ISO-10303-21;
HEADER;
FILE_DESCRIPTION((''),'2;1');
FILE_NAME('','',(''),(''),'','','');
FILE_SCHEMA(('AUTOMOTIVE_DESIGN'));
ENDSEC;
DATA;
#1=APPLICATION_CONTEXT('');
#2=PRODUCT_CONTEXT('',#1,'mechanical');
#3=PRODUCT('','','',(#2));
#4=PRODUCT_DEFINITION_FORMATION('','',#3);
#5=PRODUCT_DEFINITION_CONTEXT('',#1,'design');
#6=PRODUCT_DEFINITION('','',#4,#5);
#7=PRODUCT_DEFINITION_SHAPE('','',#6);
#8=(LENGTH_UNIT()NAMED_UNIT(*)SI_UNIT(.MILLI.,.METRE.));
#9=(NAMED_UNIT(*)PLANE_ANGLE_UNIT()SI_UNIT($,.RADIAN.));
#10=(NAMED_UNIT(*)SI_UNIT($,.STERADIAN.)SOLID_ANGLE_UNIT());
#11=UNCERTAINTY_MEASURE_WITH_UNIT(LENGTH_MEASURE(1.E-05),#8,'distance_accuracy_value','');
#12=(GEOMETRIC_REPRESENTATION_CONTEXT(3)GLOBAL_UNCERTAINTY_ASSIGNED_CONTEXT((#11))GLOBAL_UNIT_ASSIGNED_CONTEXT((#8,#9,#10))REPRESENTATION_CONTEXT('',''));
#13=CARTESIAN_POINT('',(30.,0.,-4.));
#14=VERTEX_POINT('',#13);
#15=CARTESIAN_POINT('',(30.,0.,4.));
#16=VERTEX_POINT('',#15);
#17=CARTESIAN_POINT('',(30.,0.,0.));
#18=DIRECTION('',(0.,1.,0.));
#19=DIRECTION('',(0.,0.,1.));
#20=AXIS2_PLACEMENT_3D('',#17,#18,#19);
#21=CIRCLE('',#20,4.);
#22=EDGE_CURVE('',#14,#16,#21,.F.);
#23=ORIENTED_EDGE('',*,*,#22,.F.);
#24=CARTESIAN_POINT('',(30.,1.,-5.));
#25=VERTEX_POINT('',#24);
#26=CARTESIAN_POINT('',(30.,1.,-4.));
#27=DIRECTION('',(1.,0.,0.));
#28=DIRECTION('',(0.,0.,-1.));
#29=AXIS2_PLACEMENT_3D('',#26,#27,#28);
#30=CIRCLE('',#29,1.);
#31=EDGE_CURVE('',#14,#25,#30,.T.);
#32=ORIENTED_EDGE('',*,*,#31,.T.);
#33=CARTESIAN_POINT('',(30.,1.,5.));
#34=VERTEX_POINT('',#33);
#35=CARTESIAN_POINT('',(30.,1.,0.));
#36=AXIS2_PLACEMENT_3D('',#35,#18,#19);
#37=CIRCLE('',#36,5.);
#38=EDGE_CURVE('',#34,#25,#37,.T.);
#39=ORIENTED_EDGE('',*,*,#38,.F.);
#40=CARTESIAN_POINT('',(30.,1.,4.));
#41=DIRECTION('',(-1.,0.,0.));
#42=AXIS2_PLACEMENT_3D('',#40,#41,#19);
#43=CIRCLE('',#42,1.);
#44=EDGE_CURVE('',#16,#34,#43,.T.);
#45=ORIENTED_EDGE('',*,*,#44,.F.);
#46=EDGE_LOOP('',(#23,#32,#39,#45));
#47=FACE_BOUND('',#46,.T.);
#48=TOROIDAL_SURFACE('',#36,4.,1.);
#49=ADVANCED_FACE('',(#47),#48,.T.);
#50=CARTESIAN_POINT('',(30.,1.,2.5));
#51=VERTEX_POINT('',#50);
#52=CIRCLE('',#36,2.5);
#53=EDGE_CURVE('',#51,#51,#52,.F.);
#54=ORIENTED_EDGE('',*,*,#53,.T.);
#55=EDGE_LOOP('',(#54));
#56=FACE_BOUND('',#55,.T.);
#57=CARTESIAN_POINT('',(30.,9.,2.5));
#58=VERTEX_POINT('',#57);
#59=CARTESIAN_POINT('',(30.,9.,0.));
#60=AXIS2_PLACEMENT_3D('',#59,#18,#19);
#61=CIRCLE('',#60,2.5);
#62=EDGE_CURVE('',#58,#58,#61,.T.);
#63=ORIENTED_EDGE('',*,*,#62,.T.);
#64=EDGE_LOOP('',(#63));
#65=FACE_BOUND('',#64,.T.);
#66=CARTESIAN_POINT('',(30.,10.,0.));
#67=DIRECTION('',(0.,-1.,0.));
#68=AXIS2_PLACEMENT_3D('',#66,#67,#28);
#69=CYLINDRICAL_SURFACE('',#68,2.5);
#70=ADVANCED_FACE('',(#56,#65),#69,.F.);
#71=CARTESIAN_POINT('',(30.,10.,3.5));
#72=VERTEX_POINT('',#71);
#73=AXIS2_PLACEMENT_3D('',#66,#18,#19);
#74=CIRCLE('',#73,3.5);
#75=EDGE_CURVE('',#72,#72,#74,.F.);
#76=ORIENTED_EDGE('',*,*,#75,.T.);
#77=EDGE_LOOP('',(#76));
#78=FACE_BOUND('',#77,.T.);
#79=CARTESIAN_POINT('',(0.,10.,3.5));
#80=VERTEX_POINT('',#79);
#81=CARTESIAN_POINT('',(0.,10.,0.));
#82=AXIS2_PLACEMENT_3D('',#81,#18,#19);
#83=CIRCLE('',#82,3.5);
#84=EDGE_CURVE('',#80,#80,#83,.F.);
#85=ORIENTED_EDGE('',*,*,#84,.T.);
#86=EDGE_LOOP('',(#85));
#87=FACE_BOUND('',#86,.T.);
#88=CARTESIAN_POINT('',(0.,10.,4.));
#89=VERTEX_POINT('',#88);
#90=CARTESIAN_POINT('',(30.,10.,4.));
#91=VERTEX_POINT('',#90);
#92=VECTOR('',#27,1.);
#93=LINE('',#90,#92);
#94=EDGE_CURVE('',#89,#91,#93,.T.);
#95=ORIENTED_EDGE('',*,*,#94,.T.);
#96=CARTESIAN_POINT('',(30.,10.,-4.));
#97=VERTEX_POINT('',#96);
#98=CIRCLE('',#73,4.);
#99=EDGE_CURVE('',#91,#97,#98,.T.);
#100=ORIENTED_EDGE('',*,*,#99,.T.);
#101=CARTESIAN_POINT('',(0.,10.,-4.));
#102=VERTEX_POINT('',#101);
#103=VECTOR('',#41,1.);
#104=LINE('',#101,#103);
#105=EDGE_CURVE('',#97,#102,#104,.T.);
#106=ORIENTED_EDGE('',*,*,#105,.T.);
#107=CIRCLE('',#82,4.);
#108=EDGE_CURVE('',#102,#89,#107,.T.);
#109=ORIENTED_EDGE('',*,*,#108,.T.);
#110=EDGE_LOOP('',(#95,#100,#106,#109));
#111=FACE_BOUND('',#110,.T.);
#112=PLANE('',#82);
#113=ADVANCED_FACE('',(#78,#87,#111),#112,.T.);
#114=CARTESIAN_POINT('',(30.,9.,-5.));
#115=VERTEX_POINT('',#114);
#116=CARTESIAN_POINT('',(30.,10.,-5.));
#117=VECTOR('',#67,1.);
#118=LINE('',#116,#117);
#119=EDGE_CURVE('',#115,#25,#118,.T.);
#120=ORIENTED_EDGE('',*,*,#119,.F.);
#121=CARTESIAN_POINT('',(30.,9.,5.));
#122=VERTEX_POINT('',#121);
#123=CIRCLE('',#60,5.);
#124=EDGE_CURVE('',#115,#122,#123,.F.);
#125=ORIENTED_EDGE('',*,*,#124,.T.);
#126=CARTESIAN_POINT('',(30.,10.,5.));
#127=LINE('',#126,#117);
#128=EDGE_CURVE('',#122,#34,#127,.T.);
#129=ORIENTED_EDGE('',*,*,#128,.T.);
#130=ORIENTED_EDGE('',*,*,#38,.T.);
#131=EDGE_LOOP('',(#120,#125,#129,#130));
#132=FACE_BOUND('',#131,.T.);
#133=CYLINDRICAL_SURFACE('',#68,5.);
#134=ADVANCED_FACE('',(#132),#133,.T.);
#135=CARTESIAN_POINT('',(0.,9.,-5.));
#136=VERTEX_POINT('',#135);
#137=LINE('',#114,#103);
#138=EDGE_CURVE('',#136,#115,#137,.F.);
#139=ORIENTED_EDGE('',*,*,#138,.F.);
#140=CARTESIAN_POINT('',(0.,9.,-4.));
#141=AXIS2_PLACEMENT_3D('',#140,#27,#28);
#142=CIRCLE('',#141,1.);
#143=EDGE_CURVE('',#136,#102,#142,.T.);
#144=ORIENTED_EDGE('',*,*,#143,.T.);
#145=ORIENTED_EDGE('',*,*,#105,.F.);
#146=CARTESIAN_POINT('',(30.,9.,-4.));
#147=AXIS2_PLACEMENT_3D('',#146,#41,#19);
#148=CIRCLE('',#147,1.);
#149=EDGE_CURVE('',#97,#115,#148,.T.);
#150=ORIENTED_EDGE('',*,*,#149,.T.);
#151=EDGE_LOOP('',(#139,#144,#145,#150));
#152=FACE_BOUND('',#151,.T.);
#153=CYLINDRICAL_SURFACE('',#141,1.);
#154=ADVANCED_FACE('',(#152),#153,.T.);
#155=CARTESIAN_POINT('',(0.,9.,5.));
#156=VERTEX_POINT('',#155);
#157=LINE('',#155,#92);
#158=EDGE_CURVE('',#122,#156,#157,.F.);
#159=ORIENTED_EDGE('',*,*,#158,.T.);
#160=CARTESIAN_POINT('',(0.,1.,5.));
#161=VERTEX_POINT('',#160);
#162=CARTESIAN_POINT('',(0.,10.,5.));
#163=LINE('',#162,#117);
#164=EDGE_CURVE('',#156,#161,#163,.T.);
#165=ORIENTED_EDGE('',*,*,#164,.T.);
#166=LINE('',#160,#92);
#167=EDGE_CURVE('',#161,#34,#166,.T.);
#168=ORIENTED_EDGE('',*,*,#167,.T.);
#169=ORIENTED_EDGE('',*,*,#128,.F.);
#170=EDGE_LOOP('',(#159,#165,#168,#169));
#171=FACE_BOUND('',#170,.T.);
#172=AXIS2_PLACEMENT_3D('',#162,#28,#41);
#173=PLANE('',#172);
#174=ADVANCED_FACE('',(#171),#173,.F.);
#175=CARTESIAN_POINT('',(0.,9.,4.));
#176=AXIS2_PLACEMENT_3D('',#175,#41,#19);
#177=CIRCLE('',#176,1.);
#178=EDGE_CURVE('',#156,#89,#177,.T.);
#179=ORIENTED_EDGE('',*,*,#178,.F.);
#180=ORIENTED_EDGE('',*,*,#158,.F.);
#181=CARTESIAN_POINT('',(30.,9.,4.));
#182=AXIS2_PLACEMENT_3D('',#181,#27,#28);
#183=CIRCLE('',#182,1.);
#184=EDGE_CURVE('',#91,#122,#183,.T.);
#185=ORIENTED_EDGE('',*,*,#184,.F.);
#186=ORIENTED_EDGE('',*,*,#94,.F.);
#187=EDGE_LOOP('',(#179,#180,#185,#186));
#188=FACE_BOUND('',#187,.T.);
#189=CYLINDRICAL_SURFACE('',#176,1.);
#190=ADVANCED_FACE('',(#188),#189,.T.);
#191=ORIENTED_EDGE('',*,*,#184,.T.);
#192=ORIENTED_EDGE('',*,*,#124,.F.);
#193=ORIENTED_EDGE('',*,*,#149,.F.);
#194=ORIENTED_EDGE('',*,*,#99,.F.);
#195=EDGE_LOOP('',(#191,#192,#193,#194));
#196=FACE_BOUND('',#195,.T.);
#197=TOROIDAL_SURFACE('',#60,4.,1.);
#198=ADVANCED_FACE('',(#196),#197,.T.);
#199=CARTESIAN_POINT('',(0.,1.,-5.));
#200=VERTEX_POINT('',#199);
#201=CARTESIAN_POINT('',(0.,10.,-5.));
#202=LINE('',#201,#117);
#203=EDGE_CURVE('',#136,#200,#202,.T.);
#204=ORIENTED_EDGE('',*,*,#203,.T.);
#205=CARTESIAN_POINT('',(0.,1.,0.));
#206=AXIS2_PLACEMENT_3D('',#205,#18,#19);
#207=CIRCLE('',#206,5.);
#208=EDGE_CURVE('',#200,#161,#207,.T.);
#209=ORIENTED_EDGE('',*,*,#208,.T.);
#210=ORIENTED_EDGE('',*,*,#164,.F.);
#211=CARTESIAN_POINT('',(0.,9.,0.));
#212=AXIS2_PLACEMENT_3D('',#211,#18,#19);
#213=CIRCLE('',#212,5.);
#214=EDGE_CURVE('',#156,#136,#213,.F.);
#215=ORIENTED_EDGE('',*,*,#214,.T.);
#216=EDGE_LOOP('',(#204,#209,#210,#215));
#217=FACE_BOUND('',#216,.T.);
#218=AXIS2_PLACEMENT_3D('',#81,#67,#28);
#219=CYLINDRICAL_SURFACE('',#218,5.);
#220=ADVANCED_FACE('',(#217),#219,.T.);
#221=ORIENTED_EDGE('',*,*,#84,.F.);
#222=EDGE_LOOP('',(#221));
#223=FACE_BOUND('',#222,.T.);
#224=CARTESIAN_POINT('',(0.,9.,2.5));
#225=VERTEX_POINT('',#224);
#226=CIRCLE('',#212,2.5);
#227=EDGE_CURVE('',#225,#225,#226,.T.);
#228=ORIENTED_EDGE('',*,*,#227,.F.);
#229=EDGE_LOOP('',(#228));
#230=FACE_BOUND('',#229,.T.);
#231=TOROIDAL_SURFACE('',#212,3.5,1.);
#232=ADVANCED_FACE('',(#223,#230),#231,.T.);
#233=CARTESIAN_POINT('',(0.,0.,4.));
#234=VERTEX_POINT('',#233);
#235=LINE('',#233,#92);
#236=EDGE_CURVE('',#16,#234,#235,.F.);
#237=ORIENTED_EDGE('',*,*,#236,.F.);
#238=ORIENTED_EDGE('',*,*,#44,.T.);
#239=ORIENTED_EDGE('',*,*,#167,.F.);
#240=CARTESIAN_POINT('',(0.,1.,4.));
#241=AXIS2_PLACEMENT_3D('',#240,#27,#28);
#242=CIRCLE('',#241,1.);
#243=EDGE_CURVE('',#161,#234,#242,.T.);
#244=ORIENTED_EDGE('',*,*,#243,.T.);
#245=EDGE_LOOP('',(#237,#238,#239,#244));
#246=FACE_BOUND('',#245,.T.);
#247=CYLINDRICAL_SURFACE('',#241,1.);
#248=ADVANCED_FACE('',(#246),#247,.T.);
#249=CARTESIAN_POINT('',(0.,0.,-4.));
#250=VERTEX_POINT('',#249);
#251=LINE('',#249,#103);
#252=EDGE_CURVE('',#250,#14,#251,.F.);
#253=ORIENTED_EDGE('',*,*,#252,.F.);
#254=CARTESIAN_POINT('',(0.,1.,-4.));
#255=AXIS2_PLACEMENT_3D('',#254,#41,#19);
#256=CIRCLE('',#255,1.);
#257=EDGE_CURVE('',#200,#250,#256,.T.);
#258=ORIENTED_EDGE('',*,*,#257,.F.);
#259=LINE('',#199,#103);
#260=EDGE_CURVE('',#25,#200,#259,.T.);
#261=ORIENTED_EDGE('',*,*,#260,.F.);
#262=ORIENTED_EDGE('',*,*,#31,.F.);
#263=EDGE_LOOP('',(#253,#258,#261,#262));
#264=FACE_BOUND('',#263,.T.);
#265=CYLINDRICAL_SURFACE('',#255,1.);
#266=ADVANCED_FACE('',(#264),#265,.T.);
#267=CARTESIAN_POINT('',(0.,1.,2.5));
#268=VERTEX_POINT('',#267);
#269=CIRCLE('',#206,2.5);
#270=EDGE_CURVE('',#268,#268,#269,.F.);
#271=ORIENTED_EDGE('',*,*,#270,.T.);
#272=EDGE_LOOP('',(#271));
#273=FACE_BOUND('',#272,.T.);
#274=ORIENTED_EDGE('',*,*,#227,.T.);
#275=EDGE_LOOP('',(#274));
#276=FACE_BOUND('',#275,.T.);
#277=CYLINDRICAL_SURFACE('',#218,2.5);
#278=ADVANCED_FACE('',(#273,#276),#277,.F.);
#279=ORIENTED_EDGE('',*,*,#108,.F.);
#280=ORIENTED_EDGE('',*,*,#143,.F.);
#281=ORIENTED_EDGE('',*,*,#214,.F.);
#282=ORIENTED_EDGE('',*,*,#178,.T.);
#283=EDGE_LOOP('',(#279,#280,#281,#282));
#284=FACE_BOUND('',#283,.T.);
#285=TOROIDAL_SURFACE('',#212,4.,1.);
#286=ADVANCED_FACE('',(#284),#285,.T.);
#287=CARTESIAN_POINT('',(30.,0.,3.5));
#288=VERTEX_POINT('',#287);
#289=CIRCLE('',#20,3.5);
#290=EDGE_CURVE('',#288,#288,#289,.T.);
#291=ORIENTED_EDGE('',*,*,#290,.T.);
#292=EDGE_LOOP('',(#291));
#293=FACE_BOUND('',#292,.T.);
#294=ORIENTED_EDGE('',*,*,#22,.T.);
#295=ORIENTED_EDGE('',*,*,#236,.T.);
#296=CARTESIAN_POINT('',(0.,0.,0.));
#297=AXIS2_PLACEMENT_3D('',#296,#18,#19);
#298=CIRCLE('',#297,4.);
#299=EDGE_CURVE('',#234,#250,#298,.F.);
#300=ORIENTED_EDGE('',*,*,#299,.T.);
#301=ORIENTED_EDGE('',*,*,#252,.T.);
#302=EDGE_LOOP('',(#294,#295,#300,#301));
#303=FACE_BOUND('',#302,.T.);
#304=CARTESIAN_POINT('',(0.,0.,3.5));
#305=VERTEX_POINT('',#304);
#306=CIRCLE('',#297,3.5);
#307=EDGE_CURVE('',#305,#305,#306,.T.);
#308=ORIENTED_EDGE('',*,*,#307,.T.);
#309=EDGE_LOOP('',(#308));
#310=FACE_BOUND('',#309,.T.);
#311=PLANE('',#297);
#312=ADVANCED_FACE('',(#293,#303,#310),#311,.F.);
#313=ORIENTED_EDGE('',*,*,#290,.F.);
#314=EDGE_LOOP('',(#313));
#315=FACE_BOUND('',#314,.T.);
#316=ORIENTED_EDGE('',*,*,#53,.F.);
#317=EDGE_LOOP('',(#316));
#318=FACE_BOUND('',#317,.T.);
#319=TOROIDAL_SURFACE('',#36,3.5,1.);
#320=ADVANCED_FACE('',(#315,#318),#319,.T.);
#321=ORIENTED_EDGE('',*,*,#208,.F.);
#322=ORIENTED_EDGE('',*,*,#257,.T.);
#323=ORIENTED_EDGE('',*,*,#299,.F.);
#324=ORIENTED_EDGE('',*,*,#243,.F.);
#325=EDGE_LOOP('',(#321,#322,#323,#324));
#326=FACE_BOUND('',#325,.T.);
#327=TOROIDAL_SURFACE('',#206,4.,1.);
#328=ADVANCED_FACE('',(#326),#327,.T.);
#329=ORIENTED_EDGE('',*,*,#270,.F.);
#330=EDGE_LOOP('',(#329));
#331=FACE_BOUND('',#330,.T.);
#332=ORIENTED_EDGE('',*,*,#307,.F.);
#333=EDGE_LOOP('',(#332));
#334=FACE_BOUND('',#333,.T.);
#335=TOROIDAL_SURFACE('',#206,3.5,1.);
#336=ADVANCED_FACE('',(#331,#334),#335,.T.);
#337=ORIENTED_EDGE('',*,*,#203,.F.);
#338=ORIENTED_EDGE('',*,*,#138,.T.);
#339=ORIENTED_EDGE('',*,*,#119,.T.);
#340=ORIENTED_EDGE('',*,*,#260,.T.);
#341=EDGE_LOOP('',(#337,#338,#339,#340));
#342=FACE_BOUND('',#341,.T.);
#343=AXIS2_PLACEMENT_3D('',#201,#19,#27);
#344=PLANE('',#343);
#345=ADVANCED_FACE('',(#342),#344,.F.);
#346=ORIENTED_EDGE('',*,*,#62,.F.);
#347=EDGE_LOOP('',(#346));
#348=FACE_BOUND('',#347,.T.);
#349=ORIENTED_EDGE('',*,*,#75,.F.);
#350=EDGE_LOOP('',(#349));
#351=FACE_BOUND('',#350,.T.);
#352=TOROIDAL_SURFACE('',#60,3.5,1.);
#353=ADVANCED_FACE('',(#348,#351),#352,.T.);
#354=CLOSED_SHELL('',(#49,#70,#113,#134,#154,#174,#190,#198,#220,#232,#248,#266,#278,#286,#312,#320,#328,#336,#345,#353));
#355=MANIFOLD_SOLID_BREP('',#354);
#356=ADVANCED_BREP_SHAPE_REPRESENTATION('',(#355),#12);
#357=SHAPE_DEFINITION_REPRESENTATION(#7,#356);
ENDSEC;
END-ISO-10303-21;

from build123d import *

# Parameters (mm, degrees)
SKETCH1_R           = 2.5
BOSS_EXTRUDE1_DEPTH = 10
FILLET1_R           = 1


with BuildPart() as part:
    # Sketch1 → Boss-Extrude1 (new body)
    with BuildSketch(Plane(origin=(0, 0, 0), x_dir=(1, 0, 0), z_dir=(0, 1, 0))):
        with BuildLine():
            Line((0, 5), (30, 5))
            ThreePointArc((30, 5), (35, 0), (30, -5))
            Line((30, -5), (0, -5))
            ThreePointArc((0, -5), (-5, 0), (0, 5))
        make_face()
        Circle(SKETCH1_R, mode=Mode.SUBTRACT)
        with Locations((30, 0)):
            Circle(SKETCH1_R, mode=Mode.SUBTRACT)
    extrude(amount=BOSS_EXTRUDE1_DEPTH)

    # Fillet1
    fillet1_edges = [part.edges().sort_by_distance(p)[0] for p in [
        (-2.5, 0, 0),
        (-2.5, 10, 0),
        (35, 10, 0),
        (27.5, 0, 0),
        (27.5, 10, 0),
        (15, 10, -5),
        (-5, 10, 0),
        (15, 0, -5),
        (35, 0, 0),
        (15, 0, 5),
        (-5, 0, 0),
        (15, 10, 5),
    ]]
    fillet(fillet1_edges, radius=FILLET1_R)


solid = part.part
